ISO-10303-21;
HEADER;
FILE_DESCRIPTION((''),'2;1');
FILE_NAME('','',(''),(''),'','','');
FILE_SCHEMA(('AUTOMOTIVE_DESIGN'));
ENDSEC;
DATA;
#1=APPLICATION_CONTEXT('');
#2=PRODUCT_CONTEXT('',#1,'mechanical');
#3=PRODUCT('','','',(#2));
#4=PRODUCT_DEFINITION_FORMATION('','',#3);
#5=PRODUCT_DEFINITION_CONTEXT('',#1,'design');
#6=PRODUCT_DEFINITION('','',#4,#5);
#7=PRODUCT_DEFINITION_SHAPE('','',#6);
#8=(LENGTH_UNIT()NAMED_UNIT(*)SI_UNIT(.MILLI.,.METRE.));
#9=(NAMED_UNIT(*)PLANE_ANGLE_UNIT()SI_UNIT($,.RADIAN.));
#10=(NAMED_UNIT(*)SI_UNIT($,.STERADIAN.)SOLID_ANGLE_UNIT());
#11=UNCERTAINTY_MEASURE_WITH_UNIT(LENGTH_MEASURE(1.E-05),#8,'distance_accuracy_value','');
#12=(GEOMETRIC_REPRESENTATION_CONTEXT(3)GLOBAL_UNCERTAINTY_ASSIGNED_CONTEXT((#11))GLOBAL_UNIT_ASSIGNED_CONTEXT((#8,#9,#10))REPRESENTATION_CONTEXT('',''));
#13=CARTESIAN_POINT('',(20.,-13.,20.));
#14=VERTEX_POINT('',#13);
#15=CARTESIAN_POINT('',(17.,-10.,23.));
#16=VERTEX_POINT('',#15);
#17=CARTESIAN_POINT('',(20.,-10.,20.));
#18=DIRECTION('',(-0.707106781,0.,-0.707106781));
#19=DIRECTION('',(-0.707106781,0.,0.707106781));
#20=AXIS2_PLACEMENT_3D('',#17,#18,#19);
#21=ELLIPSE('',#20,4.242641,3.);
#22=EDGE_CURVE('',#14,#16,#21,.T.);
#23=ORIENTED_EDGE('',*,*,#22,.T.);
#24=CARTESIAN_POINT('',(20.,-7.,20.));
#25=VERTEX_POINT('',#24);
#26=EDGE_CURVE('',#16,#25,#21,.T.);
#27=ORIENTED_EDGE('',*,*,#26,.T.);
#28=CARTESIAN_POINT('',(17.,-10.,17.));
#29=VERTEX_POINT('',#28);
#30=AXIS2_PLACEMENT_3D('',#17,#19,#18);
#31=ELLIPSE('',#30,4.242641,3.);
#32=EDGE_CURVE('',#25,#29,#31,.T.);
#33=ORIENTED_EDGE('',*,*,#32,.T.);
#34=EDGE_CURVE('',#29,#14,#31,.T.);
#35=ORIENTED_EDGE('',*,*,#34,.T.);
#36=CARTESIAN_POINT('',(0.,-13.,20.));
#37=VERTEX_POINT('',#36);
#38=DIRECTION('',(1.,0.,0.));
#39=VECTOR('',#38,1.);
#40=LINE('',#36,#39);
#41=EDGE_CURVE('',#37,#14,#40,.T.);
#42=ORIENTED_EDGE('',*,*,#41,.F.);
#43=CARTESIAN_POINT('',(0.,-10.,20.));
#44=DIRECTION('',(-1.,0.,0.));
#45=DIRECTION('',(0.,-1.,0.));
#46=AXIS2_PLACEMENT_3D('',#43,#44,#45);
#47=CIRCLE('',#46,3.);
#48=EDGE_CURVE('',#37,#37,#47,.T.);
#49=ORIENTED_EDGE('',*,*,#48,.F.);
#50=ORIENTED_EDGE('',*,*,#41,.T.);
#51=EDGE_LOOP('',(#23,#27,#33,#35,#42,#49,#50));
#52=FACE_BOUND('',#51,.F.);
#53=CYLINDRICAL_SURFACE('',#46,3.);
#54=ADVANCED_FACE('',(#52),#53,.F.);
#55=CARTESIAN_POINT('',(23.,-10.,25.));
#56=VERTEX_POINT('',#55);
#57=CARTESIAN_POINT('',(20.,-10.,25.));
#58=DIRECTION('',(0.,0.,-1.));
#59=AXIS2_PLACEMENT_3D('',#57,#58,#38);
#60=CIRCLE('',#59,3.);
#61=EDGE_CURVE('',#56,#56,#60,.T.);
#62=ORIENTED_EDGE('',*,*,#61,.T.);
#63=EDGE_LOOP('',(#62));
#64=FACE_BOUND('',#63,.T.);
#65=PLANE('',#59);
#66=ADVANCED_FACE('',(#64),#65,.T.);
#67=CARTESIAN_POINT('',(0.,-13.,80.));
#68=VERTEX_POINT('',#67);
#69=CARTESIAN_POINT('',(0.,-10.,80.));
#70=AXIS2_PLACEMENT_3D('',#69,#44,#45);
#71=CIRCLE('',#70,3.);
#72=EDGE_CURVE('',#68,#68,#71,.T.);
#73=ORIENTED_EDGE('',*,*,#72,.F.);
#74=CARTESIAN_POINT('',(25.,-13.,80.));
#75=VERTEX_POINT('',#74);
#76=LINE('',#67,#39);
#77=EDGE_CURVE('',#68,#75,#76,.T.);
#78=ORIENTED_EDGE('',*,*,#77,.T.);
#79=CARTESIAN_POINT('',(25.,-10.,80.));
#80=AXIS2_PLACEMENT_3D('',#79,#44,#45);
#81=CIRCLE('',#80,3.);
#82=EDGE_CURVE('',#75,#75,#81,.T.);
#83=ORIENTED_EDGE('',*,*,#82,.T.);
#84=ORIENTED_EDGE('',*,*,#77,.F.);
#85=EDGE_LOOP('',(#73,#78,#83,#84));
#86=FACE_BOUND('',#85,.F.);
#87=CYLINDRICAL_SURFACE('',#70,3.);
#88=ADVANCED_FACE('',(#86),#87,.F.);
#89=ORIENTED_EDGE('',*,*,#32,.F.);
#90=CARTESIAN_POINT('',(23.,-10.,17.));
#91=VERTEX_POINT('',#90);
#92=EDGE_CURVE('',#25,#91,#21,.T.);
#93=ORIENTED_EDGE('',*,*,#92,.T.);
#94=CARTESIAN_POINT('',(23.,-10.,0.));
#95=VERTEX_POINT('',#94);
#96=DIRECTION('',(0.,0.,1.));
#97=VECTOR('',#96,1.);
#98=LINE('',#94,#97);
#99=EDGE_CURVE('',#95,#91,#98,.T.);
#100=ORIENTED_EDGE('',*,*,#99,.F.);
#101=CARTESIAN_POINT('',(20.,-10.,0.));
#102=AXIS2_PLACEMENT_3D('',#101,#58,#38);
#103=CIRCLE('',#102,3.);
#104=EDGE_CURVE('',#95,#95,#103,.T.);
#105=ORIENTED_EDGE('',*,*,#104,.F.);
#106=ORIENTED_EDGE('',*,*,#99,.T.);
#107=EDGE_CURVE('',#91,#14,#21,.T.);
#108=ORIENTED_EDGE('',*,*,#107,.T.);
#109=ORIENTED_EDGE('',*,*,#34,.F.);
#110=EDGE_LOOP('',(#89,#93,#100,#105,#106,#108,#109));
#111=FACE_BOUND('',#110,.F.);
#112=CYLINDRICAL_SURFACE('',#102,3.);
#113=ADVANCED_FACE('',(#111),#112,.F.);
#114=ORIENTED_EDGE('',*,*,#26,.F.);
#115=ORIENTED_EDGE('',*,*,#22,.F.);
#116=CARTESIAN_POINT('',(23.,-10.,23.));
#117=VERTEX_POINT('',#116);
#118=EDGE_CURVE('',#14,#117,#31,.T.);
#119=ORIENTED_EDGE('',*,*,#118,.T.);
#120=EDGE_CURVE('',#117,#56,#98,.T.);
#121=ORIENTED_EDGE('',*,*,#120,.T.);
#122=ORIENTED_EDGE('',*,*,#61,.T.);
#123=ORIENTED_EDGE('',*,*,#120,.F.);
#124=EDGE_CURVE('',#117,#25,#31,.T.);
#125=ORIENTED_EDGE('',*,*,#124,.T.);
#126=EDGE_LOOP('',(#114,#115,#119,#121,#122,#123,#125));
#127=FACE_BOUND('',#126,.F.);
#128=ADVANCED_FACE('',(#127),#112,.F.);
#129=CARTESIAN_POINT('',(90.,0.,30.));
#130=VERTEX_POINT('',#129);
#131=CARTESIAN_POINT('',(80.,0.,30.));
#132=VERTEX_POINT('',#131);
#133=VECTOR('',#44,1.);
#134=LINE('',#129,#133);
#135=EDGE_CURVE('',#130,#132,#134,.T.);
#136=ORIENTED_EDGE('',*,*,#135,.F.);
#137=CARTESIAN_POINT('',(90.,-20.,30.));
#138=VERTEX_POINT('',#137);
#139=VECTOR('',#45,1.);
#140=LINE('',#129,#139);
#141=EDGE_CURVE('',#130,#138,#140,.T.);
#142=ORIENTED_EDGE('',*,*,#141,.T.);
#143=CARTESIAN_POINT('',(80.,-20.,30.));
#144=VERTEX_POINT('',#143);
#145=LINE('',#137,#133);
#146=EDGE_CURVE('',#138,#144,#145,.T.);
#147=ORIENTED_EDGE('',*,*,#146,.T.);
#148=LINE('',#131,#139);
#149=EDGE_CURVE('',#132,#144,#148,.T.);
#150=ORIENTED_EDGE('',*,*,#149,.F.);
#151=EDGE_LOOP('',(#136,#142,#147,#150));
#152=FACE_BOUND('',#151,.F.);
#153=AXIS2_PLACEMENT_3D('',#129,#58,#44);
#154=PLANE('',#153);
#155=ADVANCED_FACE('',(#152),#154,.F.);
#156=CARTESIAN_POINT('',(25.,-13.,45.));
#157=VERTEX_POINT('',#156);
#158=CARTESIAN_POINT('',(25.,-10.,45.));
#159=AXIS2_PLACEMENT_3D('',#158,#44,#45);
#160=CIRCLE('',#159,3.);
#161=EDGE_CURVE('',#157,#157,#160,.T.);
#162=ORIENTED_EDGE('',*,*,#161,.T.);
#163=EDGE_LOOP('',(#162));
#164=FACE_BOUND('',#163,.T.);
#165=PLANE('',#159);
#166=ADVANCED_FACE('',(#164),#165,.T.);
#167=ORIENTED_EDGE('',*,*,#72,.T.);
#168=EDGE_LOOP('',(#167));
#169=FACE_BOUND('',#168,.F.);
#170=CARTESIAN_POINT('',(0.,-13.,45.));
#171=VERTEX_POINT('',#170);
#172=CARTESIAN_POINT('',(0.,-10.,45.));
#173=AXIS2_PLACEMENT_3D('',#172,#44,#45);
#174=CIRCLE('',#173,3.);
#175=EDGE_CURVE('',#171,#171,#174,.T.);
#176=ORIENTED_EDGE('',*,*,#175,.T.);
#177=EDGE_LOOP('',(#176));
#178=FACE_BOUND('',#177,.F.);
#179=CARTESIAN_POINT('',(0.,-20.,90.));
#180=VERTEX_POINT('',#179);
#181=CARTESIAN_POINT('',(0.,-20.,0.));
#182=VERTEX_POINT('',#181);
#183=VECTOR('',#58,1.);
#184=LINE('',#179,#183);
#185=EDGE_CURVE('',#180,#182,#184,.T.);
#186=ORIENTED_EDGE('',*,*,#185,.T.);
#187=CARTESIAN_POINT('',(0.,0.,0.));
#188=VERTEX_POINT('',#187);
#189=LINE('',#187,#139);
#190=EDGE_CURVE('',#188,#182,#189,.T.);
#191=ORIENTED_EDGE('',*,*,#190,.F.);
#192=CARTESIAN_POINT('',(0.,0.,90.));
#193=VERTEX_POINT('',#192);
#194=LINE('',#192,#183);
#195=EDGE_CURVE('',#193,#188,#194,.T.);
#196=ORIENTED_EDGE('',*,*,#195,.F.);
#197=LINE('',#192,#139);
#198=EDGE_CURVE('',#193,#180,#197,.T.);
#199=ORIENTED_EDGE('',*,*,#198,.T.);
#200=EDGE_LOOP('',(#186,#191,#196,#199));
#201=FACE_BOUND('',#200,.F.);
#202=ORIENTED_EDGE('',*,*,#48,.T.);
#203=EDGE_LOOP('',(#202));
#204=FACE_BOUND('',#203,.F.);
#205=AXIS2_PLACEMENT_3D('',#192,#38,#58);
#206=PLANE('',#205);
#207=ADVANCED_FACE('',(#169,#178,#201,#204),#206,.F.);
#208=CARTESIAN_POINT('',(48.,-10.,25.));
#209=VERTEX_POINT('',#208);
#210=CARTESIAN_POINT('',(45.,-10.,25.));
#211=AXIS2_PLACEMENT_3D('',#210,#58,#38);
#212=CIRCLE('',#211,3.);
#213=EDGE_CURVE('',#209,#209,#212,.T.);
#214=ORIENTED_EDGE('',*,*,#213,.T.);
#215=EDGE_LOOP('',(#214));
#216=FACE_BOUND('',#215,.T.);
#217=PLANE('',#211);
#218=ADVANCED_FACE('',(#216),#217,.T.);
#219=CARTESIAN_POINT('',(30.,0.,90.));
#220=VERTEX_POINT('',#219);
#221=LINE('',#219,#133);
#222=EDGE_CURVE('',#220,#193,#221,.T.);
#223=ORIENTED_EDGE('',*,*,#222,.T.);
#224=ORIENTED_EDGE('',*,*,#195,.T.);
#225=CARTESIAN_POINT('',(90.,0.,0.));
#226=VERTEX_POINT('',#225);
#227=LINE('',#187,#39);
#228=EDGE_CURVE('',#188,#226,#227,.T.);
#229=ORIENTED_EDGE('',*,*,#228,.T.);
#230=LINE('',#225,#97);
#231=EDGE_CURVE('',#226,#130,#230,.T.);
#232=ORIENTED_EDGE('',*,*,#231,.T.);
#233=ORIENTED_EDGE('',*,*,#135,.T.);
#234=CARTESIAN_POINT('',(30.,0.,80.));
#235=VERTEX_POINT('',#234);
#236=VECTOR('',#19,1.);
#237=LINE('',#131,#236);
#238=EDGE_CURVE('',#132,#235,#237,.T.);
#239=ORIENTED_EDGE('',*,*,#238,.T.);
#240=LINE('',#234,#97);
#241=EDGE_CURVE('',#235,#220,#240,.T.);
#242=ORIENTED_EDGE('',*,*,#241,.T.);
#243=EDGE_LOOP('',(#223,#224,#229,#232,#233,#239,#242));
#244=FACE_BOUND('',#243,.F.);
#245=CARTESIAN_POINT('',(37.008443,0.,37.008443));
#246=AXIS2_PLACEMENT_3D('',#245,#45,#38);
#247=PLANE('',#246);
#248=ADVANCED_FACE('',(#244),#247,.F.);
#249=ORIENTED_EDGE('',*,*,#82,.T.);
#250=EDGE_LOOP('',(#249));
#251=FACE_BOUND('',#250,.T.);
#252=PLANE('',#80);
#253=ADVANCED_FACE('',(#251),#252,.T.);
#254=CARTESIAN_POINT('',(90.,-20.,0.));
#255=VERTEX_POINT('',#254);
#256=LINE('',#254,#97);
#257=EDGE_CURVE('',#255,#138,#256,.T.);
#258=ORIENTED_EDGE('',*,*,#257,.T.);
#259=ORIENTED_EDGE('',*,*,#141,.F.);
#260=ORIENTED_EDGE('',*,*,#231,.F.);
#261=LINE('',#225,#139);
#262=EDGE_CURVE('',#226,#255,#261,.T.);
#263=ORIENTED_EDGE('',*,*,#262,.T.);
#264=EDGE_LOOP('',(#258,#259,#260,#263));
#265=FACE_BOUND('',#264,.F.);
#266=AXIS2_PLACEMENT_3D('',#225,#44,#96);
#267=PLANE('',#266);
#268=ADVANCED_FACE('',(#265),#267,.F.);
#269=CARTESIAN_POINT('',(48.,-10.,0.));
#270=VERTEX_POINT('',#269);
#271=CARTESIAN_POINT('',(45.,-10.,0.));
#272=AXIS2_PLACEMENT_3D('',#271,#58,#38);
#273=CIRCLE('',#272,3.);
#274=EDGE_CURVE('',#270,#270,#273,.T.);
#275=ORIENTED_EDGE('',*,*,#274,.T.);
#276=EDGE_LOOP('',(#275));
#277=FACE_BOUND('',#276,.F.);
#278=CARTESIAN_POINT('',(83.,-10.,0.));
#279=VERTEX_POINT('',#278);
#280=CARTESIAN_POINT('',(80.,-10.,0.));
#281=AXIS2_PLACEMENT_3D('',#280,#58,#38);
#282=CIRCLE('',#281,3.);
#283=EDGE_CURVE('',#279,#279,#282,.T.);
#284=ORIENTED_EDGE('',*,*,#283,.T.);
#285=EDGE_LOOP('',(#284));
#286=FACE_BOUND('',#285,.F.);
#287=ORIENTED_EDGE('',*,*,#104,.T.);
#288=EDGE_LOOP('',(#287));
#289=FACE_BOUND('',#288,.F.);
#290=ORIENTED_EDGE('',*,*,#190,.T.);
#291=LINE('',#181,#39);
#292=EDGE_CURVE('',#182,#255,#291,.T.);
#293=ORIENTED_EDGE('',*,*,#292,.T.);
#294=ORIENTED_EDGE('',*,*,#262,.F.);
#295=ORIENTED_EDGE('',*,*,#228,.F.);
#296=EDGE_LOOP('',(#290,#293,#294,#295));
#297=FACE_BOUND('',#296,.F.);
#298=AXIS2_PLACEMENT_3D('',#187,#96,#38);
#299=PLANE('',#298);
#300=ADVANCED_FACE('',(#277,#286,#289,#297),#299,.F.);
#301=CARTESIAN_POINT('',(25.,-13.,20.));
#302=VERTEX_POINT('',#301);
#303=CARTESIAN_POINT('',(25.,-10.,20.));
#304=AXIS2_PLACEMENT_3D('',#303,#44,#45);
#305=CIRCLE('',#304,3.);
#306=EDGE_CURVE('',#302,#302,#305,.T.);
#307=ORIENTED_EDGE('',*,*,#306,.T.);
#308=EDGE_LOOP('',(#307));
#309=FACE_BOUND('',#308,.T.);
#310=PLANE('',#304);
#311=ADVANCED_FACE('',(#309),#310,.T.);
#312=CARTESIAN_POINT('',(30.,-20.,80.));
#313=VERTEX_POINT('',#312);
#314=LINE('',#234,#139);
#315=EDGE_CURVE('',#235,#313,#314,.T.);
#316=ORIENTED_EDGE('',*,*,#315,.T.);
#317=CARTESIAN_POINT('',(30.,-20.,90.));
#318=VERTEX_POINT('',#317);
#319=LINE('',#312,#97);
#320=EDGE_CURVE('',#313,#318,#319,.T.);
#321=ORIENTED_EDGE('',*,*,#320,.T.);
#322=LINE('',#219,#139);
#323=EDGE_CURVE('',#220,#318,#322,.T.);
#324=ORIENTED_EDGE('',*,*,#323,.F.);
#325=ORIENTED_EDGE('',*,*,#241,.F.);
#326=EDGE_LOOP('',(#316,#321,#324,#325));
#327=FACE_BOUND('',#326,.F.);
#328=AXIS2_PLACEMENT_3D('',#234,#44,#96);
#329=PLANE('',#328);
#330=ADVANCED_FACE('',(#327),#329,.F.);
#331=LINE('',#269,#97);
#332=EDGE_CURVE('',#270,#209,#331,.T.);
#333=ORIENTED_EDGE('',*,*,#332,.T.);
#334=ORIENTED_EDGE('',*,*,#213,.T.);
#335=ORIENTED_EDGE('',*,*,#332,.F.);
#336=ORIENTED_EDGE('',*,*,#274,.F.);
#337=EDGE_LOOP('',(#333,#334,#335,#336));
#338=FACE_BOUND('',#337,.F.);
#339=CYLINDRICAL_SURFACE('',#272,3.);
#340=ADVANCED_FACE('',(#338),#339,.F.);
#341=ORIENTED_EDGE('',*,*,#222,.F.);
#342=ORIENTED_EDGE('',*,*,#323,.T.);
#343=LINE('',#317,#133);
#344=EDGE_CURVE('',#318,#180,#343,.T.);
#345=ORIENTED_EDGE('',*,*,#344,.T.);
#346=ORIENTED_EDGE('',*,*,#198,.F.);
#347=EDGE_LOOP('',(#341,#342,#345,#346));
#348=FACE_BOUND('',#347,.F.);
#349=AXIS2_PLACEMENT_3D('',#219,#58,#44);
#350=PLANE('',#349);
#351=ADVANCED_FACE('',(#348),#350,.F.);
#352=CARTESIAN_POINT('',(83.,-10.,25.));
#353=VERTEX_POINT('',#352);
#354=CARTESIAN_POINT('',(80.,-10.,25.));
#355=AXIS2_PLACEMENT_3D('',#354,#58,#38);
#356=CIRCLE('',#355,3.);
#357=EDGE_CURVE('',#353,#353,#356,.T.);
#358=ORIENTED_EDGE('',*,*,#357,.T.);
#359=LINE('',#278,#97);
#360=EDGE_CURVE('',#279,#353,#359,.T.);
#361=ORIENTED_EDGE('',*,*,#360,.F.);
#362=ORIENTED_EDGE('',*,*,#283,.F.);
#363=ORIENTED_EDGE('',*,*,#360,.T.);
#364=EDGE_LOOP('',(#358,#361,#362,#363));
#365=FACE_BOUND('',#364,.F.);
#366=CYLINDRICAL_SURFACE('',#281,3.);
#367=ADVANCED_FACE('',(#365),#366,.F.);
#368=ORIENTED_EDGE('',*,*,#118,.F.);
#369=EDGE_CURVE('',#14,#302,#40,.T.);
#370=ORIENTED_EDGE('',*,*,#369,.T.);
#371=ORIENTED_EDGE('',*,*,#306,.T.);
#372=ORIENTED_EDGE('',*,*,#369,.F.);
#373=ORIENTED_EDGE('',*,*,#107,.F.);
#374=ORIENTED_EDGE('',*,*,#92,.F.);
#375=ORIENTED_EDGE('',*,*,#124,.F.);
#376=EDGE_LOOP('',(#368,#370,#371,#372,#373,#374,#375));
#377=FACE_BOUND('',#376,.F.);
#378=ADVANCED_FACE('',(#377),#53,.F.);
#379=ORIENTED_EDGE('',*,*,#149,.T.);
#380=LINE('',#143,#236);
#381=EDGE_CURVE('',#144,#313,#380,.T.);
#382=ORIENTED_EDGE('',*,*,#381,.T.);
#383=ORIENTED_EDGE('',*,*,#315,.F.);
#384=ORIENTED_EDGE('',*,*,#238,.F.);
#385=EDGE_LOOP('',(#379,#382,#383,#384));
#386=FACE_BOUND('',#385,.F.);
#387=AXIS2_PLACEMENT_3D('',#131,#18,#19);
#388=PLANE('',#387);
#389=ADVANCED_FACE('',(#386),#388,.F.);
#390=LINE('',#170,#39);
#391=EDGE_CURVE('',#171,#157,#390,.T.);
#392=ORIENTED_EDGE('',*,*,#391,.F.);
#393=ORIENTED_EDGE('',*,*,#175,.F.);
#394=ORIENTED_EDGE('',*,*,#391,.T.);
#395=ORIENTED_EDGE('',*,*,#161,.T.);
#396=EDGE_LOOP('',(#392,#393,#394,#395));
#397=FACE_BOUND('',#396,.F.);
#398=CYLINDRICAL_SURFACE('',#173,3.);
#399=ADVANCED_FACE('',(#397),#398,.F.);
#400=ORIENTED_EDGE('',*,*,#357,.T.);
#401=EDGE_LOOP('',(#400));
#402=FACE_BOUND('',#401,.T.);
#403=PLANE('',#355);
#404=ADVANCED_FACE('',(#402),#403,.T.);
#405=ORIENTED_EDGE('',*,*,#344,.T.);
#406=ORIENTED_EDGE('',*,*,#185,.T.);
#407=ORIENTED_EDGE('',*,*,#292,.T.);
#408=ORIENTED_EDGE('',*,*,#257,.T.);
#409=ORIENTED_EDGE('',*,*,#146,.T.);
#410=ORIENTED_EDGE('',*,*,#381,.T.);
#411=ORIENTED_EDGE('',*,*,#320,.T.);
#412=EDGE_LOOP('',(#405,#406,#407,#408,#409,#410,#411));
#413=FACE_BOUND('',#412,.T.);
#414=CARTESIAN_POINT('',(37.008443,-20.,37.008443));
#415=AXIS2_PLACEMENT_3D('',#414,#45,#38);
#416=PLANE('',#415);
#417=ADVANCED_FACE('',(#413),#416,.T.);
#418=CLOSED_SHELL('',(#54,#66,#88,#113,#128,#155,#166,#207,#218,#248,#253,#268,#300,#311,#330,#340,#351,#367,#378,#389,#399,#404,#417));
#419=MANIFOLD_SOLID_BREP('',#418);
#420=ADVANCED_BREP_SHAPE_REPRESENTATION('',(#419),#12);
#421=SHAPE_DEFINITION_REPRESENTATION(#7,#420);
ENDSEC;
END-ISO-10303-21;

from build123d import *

# Parameters (mm, degrees)
F1_DEPTH = 20
F2_R     = 3
F3_DEPTH = 25
F4_R     = 3
F5_DEPTH = 25


with BuildPart() as f1:
    # F0 (on Front) → F1 (new body)
    with BuildSketch(Plane.XZ):
        Polygon((0, 90), (0, 0), (90, 0), (90, 30), (80, 30), (30, 80), (30, 90), align=None)
    extrude(amount=F1_DEPTH)

    # F2 (on face) → F3 (cut)
    with BuildSketch(Plane(origin=(0, 0, 0), x_dir=(0, -1, 0), z_dir=(-1, 0, 0))):
        with Locations((10, 20)):
            Circle(F2_R)
        with Locations((10, 45)):
            Circle(F2_R)
        with Locations((10, 80)):
            Circle(F2_R)
    extrude(amount=-F3_DEPTH, mode=Mode.SUBTRACT)

    # F4 (on face) → F5 (cut)
    with BuildSketch(Plane(origin=(0, 0, 0), x_dir=(1, 0, 0), z_dir=(0, 0, -1))):
        with Locations((20, 10)):
            Circle(F4_R)
        with Locations((45, 10)):
            Circle(F4_R)
        with Locations((80, 10)):
            Circle(F4_R)
    extrude(amount=-F5_DEPTH, mode=Mode.SUBTRACT)


solid = f1.part
